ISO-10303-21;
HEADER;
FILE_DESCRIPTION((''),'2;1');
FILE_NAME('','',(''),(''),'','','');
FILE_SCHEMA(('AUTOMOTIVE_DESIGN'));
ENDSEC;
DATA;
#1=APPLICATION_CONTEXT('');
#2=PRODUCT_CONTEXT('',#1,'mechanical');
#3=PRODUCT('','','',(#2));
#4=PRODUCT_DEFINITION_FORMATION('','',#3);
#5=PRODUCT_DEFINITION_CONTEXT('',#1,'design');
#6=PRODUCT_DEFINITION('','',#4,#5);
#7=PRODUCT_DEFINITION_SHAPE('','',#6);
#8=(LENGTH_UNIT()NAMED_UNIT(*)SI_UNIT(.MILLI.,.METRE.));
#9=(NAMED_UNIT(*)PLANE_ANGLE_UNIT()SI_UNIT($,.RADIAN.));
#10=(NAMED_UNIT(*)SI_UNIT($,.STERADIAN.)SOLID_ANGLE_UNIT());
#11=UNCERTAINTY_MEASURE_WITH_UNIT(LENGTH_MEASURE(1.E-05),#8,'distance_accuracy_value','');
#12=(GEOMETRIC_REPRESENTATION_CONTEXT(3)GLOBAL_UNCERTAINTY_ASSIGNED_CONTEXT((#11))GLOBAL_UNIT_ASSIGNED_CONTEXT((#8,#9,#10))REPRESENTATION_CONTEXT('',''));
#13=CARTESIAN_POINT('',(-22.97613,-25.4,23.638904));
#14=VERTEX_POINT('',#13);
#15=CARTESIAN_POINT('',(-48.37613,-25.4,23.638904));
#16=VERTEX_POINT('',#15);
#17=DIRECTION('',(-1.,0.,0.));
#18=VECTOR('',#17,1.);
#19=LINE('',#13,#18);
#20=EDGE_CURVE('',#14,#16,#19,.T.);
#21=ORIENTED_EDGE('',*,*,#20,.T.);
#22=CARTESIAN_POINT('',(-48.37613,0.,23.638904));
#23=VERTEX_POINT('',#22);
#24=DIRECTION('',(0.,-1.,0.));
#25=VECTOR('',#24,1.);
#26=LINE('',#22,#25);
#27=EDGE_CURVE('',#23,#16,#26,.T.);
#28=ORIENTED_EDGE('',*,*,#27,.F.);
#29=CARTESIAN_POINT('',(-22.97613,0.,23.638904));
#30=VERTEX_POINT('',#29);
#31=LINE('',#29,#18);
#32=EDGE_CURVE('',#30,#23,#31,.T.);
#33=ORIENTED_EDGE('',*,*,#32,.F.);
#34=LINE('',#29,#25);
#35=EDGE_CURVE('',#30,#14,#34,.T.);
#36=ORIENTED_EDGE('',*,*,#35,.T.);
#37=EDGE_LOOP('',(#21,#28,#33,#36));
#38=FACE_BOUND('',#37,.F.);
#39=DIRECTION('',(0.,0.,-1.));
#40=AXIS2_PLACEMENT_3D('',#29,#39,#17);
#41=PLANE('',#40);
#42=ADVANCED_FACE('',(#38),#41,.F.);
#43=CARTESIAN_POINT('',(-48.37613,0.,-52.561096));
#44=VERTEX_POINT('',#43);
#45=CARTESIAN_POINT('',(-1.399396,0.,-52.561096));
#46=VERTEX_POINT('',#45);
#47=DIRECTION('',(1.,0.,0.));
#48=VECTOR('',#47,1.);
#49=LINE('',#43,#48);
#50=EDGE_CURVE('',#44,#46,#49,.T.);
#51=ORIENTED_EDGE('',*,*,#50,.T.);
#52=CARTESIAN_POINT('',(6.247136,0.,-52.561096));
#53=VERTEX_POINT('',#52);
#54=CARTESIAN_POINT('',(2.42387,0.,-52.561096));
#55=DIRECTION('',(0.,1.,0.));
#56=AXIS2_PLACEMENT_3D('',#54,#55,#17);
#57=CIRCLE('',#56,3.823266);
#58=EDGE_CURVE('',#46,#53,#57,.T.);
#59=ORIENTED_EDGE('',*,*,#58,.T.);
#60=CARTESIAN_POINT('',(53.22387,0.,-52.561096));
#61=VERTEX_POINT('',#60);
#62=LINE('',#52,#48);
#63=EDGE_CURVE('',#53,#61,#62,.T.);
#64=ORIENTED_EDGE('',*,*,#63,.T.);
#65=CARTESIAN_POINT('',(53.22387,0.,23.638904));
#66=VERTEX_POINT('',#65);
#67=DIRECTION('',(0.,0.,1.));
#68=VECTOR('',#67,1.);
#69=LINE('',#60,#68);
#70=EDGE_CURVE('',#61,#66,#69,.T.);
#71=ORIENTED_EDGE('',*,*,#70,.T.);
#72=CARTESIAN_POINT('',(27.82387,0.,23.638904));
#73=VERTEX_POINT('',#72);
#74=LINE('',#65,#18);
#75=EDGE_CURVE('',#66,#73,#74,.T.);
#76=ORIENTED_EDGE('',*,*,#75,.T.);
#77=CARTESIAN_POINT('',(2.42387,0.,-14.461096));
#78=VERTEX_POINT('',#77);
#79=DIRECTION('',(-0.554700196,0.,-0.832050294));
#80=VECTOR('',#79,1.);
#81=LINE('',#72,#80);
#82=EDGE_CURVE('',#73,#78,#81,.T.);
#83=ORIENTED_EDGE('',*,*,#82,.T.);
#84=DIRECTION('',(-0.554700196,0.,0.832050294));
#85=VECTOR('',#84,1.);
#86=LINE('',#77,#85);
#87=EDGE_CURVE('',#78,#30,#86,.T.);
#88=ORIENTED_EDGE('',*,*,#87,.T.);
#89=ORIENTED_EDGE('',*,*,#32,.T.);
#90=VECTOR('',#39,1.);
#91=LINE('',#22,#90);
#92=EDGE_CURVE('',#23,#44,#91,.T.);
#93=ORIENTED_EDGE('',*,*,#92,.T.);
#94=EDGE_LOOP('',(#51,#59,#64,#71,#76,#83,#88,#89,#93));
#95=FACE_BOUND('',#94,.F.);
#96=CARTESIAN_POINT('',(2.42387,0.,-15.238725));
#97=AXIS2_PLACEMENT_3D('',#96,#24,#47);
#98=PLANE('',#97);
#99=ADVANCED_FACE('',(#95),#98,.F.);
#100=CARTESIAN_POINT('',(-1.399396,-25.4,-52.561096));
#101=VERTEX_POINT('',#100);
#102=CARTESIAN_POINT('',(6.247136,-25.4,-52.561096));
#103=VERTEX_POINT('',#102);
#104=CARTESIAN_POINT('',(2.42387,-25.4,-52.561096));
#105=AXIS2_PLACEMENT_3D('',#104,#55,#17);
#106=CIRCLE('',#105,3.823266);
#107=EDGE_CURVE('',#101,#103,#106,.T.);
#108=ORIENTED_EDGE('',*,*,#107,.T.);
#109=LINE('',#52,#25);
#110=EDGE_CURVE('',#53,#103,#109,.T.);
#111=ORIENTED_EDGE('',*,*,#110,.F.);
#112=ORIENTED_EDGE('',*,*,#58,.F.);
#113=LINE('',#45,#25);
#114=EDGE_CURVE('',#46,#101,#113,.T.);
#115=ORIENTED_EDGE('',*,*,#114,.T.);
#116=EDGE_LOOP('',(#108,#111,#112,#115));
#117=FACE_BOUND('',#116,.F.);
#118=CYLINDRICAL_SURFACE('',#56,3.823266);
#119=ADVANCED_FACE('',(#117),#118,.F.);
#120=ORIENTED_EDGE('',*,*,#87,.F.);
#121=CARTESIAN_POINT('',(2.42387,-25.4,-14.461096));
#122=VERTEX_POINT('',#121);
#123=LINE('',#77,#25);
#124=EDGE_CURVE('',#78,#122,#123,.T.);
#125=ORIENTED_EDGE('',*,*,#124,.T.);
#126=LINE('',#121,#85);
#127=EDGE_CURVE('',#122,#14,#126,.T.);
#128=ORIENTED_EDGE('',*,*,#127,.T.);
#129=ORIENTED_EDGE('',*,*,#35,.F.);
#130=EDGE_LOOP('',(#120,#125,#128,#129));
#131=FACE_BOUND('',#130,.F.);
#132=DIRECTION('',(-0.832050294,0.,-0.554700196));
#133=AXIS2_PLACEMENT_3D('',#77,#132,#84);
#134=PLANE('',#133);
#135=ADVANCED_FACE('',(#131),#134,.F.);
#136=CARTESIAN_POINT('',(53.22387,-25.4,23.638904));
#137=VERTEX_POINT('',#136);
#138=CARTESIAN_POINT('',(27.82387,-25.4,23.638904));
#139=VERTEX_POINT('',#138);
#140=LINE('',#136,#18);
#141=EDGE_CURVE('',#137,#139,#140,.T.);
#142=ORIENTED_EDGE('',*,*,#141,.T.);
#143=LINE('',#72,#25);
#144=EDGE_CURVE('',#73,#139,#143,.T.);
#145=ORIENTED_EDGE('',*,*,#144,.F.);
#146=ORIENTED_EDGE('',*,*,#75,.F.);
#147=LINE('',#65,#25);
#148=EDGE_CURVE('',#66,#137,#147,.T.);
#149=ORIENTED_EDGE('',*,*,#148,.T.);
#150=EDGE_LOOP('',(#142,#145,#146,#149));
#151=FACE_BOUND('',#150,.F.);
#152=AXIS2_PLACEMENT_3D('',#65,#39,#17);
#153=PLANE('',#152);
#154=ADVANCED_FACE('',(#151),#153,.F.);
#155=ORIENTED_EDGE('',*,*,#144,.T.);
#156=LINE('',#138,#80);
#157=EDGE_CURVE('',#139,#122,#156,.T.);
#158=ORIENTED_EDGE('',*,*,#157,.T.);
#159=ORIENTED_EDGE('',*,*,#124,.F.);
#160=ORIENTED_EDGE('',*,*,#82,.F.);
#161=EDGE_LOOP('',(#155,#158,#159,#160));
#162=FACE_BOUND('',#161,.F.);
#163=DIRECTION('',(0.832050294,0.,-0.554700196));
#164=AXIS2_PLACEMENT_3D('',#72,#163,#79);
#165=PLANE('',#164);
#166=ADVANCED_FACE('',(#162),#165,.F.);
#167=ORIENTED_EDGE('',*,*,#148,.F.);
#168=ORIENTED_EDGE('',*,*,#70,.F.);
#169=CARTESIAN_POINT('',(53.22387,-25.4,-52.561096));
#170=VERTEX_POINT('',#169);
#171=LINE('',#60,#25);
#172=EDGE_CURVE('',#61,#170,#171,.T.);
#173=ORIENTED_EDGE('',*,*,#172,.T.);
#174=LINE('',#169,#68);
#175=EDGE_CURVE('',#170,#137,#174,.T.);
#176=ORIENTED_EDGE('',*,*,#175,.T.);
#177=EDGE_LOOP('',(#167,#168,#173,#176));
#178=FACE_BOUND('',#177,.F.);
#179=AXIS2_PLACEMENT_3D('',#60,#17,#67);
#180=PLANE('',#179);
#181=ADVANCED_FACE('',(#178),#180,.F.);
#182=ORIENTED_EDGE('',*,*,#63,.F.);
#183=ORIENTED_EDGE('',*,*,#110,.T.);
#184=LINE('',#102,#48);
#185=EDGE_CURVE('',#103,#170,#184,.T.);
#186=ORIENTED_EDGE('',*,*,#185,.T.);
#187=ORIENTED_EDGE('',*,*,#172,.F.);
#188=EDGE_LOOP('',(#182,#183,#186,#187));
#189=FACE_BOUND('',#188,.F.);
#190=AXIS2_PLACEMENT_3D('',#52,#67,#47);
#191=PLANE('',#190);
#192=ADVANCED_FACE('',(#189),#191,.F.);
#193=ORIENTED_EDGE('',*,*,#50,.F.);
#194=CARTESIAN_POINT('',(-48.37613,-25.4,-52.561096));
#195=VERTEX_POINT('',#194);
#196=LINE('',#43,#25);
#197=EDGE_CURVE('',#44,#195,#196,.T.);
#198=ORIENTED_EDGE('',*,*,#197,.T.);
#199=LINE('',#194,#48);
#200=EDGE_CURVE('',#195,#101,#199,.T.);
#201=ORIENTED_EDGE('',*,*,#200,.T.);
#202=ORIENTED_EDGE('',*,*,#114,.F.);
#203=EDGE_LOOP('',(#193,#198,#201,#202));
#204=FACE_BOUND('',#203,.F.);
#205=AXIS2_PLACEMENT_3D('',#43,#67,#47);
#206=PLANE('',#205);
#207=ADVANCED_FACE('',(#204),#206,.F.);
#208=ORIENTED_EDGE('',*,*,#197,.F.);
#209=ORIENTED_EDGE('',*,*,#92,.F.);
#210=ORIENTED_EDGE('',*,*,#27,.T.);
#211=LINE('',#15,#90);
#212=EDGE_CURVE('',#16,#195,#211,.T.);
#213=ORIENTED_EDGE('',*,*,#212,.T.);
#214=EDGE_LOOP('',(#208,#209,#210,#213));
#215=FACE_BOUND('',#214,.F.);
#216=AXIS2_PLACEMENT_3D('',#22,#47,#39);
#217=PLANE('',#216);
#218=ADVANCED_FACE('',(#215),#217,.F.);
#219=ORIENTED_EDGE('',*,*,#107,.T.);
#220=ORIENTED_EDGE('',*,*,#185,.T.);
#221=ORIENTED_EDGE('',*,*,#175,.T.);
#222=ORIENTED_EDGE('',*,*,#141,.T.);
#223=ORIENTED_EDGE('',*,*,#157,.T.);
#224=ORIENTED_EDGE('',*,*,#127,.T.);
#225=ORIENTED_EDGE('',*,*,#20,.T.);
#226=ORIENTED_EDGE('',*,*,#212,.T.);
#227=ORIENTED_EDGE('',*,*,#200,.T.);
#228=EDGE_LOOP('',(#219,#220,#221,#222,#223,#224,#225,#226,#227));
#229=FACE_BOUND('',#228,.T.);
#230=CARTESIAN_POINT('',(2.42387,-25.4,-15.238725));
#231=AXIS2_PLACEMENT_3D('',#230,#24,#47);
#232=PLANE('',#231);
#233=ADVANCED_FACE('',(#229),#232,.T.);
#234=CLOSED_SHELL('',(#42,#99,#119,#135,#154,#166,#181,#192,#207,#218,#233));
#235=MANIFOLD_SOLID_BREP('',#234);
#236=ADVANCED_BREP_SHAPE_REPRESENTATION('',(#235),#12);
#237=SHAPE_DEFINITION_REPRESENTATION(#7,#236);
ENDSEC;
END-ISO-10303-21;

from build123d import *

# Parameters (mm, degrees)
F1_DEPTH = 25.4


with BuildPart() as f1:
    # F0 (on Front) → F1 (new body)
    with BuildSketch(Plane.XZ):
        with BuildLine():
            ThreePointArc((-1.399396, -52.561096), (2.42387, -48.73783), (6.247136, -52.561096))
            Line((6.247136, -52.561096), (53.22387, -52.561096))
            Line((53.22387, -52.561096), (53.22387, 23.638904))
            Line((53.22387, 23.638904), (27.82387, 23.638904))
            Line((27.82387, 23.638904), (2.42387, -14.461096))
            Line((2.42387, -14.461096), (-22.97613, 23.638904))
            Line((-22.97613, 23.638904), (-48.37613, 23.638904))
            Line((-48.37613, 23.638904), (-48.37613, -52.561096))
            Line((-48.37613, -52.561096), (-1.399396, -52.561096))
        make_face()
    extrude(amount=F1_DEPTH)


solid = f1.part
